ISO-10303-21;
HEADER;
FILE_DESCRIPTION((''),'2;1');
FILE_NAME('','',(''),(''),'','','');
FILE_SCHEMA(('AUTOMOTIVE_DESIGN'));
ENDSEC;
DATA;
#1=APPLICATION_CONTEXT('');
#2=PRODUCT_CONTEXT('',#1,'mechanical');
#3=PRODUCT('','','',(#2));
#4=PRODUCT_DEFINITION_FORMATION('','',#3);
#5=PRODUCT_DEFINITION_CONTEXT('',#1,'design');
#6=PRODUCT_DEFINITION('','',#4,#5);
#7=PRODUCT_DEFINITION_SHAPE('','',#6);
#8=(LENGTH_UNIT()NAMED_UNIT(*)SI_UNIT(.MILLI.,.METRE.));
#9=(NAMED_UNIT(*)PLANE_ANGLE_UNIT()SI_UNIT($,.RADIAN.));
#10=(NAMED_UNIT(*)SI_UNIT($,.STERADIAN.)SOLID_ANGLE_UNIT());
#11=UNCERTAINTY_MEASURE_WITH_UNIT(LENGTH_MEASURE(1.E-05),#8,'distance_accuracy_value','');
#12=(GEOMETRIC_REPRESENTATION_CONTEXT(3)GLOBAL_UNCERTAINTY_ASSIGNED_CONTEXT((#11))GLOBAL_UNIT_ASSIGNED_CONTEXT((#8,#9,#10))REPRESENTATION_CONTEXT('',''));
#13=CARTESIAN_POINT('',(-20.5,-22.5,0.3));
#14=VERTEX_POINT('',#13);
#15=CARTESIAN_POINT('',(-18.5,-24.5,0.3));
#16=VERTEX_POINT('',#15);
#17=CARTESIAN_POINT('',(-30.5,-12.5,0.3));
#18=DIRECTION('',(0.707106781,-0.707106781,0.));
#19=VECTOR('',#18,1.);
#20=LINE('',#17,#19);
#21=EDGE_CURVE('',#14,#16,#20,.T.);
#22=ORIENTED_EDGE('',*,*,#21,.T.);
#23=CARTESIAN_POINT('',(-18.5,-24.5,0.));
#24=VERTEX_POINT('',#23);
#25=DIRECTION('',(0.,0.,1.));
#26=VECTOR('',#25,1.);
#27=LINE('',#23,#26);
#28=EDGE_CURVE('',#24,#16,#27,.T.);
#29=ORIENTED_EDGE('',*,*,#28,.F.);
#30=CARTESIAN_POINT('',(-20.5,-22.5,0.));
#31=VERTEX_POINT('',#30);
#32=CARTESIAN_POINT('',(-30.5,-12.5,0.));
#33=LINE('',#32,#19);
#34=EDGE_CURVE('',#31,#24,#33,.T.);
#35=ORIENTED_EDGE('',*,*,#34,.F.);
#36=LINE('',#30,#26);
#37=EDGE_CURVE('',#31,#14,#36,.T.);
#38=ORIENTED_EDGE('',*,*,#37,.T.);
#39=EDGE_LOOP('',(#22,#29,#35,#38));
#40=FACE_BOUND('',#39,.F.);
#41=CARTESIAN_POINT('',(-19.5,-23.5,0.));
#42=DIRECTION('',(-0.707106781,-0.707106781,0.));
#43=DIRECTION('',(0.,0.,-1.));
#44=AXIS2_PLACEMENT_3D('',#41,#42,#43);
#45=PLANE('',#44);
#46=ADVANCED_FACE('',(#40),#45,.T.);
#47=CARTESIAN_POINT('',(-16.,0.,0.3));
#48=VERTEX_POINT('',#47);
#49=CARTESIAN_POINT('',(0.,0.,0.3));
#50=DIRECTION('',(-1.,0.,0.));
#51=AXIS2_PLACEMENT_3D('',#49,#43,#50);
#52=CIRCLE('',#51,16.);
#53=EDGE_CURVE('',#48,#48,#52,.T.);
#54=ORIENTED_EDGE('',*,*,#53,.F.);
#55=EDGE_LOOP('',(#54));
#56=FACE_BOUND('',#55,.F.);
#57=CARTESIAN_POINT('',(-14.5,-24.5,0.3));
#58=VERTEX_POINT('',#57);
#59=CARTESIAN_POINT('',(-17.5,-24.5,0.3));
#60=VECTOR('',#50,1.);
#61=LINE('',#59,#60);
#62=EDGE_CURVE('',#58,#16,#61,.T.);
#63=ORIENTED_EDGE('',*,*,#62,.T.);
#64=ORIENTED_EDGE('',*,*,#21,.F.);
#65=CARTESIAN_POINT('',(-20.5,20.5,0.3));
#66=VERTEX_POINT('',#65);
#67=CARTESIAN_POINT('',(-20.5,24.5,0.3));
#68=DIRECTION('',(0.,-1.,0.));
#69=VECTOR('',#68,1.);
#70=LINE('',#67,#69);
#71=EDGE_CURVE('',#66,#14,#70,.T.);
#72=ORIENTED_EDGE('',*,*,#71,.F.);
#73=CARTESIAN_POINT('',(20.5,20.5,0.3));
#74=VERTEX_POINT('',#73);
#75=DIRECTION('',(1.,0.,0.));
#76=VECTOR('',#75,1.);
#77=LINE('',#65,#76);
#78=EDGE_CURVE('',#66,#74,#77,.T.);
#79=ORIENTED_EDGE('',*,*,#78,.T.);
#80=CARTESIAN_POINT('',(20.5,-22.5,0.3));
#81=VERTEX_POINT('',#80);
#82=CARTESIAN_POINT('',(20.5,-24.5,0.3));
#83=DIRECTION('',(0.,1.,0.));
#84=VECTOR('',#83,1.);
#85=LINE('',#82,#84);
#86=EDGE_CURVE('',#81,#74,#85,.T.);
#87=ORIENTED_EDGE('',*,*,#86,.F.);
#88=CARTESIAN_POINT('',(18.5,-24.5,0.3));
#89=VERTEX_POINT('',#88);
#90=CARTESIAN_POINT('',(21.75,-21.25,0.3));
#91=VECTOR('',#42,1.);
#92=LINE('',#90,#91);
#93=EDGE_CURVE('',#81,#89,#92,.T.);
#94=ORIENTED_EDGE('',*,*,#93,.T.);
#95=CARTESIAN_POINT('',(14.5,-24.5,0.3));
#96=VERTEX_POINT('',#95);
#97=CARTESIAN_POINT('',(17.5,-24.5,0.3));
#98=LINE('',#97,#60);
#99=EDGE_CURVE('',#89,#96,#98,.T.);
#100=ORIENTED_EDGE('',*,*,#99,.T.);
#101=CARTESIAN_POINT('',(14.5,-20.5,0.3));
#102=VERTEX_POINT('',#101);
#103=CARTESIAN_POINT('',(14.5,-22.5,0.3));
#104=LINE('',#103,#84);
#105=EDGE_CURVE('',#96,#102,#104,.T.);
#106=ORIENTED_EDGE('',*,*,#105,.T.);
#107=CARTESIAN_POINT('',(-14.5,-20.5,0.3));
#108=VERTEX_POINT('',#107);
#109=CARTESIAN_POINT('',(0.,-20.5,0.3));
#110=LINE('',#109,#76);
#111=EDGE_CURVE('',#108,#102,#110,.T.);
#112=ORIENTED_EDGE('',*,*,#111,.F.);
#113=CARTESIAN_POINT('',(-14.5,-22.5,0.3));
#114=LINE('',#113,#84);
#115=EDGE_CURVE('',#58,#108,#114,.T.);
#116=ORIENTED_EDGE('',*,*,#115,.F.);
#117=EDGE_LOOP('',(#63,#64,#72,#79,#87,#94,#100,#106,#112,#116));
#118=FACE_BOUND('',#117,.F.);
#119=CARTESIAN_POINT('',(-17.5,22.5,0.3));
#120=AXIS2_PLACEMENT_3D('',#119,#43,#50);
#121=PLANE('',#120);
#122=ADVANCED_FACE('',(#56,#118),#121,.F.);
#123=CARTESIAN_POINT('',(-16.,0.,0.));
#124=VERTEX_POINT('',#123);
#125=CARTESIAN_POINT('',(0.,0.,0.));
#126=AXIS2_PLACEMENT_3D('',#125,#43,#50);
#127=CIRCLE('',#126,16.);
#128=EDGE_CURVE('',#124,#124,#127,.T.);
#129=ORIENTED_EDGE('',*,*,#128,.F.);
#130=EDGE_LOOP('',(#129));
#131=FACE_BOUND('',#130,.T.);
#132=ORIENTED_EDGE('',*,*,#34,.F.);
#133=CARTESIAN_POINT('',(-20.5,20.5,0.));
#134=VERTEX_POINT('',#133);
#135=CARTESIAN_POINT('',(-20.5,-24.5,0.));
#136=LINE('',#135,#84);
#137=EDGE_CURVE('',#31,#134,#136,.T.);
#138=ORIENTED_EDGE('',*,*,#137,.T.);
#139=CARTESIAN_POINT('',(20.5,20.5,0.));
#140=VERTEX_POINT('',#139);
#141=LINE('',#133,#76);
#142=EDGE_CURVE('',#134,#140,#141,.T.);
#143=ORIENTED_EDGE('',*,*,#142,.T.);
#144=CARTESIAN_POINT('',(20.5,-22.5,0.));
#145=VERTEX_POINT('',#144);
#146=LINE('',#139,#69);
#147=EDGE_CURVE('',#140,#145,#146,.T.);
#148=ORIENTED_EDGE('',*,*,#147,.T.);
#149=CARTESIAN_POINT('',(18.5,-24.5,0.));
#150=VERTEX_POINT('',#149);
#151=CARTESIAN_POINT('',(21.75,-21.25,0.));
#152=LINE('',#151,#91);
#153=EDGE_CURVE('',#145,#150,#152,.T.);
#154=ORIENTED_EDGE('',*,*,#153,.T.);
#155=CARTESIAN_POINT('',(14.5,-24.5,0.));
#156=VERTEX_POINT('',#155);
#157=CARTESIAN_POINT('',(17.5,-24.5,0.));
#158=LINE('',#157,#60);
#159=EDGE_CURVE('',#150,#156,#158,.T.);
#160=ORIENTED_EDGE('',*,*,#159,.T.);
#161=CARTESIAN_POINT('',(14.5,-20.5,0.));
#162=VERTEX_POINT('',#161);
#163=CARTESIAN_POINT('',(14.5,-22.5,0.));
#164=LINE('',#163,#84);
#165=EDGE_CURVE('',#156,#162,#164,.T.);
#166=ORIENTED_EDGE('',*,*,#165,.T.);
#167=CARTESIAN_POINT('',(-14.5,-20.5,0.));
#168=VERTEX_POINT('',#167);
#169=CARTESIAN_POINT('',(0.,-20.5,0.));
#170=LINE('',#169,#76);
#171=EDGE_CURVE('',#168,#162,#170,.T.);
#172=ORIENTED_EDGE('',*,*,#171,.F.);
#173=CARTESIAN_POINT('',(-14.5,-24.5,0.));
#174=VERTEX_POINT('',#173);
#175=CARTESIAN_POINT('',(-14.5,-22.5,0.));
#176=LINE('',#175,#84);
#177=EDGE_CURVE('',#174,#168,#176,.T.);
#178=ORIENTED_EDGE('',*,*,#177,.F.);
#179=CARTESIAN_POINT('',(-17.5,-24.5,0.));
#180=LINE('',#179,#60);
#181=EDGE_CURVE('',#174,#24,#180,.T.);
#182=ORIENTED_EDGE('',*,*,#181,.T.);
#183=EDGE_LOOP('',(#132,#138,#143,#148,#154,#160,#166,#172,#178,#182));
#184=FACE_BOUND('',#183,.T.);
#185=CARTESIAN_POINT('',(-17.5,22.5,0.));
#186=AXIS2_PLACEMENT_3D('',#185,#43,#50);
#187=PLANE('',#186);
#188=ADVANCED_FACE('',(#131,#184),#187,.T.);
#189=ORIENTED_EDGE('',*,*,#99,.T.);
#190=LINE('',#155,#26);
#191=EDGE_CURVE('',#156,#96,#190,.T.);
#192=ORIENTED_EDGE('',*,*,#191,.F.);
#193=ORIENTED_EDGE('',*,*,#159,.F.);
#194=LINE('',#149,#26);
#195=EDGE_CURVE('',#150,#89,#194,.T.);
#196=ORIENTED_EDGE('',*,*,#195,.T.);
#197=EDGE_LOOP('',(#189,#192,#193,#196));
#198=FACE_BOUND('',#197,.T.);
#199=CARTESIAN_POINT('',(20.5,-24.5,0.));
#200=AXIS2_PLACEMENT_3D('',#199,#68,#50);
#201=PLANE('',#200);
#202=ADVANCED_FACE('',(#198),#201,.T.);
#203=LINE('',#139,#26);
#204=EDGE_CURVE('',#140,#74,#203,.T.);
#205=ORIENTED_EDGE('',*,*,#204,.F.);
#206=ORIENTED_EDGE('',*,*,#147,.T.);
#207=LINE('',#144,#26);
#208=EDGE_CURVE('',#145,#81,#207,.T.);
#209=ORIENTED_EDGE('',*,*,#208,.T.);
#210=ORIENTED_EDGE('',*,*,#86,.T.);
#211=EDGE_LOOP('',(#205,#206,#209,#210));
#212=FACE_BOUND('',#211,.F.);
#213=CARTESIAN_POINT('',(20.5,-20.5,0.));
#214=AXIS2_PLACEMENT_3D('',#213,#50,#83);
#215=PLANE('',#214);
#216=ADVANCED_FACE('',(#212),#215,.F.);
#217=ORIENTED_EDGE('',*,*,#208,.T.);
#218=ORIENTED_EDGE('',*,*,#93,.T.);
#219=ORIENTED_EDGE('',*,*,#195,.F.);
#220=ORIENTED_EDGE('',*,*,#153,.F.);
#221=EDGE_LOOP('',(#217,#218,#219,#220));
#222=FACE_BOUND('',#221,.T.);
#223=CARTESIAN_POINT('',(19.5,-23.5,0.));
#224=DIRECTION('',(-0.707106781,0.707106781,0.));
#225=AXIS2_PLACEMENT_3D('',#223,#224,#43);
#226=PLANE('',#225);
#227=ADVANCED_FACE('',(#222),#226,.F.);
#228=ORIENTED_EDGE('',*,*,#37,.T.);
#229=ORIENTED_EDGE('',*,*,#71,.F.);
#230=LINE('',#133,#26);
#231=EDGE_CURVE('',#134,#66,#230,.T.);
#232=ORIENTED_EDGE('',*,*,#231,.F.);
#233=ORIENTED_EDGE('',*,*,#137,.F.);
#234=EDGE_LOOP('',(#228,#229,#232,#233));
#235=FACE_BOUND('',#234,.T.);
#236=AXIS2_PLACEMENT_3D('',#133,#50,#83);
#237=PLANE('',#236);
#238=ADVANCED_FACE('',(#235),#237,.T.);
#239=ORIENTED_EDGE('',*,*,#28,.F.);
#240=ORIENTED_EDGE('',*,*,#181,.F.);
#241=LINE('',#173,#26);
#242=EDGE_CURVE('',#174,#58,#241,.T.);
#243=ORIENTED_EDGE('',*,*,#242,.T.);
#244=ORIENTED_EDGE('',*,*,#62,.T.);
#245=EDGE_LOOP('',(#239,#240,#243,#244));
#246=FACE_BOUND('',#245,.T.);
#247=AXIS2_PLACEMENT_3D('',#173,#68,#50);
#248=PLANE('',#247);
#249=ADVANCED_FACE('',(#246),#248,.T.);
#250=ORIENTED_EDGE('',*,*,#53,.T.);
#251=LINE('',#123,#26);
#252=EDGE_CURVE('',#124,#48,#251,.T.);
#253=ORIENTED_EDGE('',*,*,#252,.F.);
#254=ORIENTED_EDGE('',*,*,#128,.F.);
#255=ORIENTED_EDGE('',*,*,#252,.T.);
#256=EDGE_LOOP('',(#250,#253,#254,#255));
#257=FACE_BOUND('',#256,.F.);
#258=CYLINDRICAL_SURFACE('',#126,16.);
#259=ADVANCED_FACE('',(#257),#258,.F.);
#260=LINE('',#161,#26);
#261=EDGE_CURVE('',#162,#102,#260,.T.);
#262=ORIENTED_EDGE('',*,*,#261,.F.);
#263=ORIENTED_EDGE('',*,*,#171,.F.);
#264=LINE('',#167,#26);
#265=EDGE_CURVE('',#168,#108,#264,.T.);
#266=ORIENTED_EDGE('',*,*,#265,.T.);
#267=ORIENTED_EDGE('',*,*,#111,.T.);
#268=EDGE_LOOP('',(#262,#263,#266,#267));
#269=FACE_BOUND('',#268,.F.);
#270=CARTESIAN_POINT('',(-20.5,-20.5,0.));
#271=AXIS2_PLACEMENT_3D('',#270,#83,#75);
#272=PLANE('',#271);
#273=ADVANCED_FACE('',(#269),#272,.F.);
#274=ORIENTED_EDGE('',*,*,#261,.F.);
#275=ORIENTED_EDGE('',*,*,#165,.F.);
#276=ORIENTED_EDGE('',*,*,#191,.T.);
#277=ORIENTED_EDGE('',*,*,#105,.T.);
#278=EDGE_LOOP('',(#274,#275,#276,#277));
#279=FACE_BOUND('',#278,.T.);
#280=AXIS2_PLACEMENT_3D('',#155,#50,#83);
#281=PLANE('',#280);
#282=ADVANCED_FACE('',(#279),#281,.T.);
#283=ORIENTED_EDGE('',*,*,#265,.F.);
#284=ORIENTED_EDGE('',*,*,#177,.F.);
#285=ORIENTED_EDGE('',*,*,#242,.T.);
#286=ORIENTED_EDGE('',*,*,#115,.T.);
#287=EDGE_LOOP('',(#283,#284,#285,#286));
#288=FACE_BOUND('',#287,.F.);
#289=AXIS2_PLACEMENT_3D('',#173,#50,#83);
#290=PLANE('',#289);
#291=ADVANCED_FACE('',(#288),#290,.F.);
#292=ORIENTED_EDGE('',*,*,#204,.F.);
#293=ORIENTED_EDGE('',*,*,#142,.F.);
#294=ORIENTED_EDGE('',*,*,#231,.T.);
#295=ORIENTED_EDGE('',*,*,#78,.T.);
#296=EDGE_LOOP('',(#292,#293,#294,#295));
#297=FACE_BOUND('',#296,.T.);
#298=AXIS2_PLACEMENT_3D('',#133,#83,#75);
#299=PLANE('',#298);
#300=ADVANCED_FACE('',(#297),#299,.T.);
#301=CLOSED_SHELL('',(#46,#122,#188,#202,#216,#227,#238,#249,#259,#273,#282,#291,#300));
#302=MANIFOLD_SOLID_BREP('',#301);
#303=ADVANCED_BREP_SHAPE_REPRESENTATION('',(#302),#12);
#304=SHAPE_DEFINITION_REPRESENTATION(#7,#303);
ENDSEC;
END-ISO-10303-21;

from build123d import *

# Parameters (mm, degrees)
ESQUISSE1_W             = 41
ESQUISSE1_H             = 41
BOSS_EXTRU_1_DEPTH      = 0.3
ESQUISSE2_W             = 6
ESQUISSE2_H             = 4
BOSS_EXTRU_2_DEPTH      = 0.3
ESQUISSE3_R             = 12.5
ENL_V_MAT_EXTRU_1_DEPTH = 1.3
ESQUISSE4_R             = 16
ENL_V_MAT_EXTRU_2_DEPTH = 1.3
CHANFREIN1_SIZE         = 2
CHANFREIN2_SIZE         = 2
ESQUISSE6_W             = 6
ESQUISSE6_H             = 4
ENL_V_MAT_EXTRU_4_DEPTH = 1.3


with BuildPart() as part:
    # Esquisse1 → Boss.-Extru.1 (new body)
    with BuildSketch(Plane.XY):
        Rectangle(ESQUISSE1_W, ESQUISSE1_H)
    extrude(amount=BOSS_EXTRU_1_DEPTH)

    # Esquisse2 → Boss.-Extru.2 (add)
    with BuildSketch(Plane(origin=(0, 0, 0), x_dir=(-1, 0, 0), z_dir=(0, 0, -1))):
        with Locations((17.5, 22.5)):
            Rectangle(ESQUISSE2_W, ESQUISSE2_H)
        with Locations((-17.5, -22.5)):
            Rectangle(ESQUISSE2_W, ESQUISSE2_H)
        with Locations((17.5, -22.5)):
            Rectangle(ESQUISSE2_W, ESQUISSE2_H)
    extrude(amount=-BOSS_EXTRU_2_DEPTH)

    # Esquisse3 → Enlèv. mat.-Extru.1 (cut, through all)
    with BuildSketch(Plane(origin=(0, 0, 0), x_dir=(-1, 0, 0), z_dir=(0, 0, -1))):
        Circle(ESQUISSE3_R)
    extrude(amount=-ENL_V_MAT_EXTRU_1_DEPTH, mode=Mode.SUBTRACT)

    # Esquisse4 → Enlèv. mat.-Extru.2 (cut, through all)
    with BuildSketch(Plane(origin=(0, 0, 0), x_dir=(-1, 0, 0), z_dir=(0, 0, -1))):
        Circle(ESQUISSE4_R)
    extrude(amount=-ENL_V_MAT_EXTRU_2_DEPTH, mode=Mode.SUBTRACT)

    # Chanfrein1
    chanfrein1_edges = [part.edges().sort_by_distance(p)[0] for p in [
        (-20.5, -24.5, 0.15),
    ]]
    chamfer(chanfrein1_edges, length=CHANFREIN1_SIZE)

    # Chanfrein2
    chanfrein2_edges = [part.edges().sort_by_distance(p)[0] for p in [
        (20.5, -24.5, 0.15),
    ]]
    chamfer(chanfrein2_edges, length=CHANFREIN2_SIZE)

    # Esquisse6 → Enlèv. mat.-Extru.4 (cut, through all)
    with BuildSketch(Plane(origin=(0, 0, 0), x_dir=(-1, 0, 0), z_dir=(0, 0, -1))):
        with Locations((17.5, 22.5)):
            Rectangle(ESQUISSE6_W, ESQUISSE6_H)
    extrude(amount=-ENL_V_MAT_EXTRU_4_DEPTH, mode=Mode.SUBTRACT)


solid = part.part
